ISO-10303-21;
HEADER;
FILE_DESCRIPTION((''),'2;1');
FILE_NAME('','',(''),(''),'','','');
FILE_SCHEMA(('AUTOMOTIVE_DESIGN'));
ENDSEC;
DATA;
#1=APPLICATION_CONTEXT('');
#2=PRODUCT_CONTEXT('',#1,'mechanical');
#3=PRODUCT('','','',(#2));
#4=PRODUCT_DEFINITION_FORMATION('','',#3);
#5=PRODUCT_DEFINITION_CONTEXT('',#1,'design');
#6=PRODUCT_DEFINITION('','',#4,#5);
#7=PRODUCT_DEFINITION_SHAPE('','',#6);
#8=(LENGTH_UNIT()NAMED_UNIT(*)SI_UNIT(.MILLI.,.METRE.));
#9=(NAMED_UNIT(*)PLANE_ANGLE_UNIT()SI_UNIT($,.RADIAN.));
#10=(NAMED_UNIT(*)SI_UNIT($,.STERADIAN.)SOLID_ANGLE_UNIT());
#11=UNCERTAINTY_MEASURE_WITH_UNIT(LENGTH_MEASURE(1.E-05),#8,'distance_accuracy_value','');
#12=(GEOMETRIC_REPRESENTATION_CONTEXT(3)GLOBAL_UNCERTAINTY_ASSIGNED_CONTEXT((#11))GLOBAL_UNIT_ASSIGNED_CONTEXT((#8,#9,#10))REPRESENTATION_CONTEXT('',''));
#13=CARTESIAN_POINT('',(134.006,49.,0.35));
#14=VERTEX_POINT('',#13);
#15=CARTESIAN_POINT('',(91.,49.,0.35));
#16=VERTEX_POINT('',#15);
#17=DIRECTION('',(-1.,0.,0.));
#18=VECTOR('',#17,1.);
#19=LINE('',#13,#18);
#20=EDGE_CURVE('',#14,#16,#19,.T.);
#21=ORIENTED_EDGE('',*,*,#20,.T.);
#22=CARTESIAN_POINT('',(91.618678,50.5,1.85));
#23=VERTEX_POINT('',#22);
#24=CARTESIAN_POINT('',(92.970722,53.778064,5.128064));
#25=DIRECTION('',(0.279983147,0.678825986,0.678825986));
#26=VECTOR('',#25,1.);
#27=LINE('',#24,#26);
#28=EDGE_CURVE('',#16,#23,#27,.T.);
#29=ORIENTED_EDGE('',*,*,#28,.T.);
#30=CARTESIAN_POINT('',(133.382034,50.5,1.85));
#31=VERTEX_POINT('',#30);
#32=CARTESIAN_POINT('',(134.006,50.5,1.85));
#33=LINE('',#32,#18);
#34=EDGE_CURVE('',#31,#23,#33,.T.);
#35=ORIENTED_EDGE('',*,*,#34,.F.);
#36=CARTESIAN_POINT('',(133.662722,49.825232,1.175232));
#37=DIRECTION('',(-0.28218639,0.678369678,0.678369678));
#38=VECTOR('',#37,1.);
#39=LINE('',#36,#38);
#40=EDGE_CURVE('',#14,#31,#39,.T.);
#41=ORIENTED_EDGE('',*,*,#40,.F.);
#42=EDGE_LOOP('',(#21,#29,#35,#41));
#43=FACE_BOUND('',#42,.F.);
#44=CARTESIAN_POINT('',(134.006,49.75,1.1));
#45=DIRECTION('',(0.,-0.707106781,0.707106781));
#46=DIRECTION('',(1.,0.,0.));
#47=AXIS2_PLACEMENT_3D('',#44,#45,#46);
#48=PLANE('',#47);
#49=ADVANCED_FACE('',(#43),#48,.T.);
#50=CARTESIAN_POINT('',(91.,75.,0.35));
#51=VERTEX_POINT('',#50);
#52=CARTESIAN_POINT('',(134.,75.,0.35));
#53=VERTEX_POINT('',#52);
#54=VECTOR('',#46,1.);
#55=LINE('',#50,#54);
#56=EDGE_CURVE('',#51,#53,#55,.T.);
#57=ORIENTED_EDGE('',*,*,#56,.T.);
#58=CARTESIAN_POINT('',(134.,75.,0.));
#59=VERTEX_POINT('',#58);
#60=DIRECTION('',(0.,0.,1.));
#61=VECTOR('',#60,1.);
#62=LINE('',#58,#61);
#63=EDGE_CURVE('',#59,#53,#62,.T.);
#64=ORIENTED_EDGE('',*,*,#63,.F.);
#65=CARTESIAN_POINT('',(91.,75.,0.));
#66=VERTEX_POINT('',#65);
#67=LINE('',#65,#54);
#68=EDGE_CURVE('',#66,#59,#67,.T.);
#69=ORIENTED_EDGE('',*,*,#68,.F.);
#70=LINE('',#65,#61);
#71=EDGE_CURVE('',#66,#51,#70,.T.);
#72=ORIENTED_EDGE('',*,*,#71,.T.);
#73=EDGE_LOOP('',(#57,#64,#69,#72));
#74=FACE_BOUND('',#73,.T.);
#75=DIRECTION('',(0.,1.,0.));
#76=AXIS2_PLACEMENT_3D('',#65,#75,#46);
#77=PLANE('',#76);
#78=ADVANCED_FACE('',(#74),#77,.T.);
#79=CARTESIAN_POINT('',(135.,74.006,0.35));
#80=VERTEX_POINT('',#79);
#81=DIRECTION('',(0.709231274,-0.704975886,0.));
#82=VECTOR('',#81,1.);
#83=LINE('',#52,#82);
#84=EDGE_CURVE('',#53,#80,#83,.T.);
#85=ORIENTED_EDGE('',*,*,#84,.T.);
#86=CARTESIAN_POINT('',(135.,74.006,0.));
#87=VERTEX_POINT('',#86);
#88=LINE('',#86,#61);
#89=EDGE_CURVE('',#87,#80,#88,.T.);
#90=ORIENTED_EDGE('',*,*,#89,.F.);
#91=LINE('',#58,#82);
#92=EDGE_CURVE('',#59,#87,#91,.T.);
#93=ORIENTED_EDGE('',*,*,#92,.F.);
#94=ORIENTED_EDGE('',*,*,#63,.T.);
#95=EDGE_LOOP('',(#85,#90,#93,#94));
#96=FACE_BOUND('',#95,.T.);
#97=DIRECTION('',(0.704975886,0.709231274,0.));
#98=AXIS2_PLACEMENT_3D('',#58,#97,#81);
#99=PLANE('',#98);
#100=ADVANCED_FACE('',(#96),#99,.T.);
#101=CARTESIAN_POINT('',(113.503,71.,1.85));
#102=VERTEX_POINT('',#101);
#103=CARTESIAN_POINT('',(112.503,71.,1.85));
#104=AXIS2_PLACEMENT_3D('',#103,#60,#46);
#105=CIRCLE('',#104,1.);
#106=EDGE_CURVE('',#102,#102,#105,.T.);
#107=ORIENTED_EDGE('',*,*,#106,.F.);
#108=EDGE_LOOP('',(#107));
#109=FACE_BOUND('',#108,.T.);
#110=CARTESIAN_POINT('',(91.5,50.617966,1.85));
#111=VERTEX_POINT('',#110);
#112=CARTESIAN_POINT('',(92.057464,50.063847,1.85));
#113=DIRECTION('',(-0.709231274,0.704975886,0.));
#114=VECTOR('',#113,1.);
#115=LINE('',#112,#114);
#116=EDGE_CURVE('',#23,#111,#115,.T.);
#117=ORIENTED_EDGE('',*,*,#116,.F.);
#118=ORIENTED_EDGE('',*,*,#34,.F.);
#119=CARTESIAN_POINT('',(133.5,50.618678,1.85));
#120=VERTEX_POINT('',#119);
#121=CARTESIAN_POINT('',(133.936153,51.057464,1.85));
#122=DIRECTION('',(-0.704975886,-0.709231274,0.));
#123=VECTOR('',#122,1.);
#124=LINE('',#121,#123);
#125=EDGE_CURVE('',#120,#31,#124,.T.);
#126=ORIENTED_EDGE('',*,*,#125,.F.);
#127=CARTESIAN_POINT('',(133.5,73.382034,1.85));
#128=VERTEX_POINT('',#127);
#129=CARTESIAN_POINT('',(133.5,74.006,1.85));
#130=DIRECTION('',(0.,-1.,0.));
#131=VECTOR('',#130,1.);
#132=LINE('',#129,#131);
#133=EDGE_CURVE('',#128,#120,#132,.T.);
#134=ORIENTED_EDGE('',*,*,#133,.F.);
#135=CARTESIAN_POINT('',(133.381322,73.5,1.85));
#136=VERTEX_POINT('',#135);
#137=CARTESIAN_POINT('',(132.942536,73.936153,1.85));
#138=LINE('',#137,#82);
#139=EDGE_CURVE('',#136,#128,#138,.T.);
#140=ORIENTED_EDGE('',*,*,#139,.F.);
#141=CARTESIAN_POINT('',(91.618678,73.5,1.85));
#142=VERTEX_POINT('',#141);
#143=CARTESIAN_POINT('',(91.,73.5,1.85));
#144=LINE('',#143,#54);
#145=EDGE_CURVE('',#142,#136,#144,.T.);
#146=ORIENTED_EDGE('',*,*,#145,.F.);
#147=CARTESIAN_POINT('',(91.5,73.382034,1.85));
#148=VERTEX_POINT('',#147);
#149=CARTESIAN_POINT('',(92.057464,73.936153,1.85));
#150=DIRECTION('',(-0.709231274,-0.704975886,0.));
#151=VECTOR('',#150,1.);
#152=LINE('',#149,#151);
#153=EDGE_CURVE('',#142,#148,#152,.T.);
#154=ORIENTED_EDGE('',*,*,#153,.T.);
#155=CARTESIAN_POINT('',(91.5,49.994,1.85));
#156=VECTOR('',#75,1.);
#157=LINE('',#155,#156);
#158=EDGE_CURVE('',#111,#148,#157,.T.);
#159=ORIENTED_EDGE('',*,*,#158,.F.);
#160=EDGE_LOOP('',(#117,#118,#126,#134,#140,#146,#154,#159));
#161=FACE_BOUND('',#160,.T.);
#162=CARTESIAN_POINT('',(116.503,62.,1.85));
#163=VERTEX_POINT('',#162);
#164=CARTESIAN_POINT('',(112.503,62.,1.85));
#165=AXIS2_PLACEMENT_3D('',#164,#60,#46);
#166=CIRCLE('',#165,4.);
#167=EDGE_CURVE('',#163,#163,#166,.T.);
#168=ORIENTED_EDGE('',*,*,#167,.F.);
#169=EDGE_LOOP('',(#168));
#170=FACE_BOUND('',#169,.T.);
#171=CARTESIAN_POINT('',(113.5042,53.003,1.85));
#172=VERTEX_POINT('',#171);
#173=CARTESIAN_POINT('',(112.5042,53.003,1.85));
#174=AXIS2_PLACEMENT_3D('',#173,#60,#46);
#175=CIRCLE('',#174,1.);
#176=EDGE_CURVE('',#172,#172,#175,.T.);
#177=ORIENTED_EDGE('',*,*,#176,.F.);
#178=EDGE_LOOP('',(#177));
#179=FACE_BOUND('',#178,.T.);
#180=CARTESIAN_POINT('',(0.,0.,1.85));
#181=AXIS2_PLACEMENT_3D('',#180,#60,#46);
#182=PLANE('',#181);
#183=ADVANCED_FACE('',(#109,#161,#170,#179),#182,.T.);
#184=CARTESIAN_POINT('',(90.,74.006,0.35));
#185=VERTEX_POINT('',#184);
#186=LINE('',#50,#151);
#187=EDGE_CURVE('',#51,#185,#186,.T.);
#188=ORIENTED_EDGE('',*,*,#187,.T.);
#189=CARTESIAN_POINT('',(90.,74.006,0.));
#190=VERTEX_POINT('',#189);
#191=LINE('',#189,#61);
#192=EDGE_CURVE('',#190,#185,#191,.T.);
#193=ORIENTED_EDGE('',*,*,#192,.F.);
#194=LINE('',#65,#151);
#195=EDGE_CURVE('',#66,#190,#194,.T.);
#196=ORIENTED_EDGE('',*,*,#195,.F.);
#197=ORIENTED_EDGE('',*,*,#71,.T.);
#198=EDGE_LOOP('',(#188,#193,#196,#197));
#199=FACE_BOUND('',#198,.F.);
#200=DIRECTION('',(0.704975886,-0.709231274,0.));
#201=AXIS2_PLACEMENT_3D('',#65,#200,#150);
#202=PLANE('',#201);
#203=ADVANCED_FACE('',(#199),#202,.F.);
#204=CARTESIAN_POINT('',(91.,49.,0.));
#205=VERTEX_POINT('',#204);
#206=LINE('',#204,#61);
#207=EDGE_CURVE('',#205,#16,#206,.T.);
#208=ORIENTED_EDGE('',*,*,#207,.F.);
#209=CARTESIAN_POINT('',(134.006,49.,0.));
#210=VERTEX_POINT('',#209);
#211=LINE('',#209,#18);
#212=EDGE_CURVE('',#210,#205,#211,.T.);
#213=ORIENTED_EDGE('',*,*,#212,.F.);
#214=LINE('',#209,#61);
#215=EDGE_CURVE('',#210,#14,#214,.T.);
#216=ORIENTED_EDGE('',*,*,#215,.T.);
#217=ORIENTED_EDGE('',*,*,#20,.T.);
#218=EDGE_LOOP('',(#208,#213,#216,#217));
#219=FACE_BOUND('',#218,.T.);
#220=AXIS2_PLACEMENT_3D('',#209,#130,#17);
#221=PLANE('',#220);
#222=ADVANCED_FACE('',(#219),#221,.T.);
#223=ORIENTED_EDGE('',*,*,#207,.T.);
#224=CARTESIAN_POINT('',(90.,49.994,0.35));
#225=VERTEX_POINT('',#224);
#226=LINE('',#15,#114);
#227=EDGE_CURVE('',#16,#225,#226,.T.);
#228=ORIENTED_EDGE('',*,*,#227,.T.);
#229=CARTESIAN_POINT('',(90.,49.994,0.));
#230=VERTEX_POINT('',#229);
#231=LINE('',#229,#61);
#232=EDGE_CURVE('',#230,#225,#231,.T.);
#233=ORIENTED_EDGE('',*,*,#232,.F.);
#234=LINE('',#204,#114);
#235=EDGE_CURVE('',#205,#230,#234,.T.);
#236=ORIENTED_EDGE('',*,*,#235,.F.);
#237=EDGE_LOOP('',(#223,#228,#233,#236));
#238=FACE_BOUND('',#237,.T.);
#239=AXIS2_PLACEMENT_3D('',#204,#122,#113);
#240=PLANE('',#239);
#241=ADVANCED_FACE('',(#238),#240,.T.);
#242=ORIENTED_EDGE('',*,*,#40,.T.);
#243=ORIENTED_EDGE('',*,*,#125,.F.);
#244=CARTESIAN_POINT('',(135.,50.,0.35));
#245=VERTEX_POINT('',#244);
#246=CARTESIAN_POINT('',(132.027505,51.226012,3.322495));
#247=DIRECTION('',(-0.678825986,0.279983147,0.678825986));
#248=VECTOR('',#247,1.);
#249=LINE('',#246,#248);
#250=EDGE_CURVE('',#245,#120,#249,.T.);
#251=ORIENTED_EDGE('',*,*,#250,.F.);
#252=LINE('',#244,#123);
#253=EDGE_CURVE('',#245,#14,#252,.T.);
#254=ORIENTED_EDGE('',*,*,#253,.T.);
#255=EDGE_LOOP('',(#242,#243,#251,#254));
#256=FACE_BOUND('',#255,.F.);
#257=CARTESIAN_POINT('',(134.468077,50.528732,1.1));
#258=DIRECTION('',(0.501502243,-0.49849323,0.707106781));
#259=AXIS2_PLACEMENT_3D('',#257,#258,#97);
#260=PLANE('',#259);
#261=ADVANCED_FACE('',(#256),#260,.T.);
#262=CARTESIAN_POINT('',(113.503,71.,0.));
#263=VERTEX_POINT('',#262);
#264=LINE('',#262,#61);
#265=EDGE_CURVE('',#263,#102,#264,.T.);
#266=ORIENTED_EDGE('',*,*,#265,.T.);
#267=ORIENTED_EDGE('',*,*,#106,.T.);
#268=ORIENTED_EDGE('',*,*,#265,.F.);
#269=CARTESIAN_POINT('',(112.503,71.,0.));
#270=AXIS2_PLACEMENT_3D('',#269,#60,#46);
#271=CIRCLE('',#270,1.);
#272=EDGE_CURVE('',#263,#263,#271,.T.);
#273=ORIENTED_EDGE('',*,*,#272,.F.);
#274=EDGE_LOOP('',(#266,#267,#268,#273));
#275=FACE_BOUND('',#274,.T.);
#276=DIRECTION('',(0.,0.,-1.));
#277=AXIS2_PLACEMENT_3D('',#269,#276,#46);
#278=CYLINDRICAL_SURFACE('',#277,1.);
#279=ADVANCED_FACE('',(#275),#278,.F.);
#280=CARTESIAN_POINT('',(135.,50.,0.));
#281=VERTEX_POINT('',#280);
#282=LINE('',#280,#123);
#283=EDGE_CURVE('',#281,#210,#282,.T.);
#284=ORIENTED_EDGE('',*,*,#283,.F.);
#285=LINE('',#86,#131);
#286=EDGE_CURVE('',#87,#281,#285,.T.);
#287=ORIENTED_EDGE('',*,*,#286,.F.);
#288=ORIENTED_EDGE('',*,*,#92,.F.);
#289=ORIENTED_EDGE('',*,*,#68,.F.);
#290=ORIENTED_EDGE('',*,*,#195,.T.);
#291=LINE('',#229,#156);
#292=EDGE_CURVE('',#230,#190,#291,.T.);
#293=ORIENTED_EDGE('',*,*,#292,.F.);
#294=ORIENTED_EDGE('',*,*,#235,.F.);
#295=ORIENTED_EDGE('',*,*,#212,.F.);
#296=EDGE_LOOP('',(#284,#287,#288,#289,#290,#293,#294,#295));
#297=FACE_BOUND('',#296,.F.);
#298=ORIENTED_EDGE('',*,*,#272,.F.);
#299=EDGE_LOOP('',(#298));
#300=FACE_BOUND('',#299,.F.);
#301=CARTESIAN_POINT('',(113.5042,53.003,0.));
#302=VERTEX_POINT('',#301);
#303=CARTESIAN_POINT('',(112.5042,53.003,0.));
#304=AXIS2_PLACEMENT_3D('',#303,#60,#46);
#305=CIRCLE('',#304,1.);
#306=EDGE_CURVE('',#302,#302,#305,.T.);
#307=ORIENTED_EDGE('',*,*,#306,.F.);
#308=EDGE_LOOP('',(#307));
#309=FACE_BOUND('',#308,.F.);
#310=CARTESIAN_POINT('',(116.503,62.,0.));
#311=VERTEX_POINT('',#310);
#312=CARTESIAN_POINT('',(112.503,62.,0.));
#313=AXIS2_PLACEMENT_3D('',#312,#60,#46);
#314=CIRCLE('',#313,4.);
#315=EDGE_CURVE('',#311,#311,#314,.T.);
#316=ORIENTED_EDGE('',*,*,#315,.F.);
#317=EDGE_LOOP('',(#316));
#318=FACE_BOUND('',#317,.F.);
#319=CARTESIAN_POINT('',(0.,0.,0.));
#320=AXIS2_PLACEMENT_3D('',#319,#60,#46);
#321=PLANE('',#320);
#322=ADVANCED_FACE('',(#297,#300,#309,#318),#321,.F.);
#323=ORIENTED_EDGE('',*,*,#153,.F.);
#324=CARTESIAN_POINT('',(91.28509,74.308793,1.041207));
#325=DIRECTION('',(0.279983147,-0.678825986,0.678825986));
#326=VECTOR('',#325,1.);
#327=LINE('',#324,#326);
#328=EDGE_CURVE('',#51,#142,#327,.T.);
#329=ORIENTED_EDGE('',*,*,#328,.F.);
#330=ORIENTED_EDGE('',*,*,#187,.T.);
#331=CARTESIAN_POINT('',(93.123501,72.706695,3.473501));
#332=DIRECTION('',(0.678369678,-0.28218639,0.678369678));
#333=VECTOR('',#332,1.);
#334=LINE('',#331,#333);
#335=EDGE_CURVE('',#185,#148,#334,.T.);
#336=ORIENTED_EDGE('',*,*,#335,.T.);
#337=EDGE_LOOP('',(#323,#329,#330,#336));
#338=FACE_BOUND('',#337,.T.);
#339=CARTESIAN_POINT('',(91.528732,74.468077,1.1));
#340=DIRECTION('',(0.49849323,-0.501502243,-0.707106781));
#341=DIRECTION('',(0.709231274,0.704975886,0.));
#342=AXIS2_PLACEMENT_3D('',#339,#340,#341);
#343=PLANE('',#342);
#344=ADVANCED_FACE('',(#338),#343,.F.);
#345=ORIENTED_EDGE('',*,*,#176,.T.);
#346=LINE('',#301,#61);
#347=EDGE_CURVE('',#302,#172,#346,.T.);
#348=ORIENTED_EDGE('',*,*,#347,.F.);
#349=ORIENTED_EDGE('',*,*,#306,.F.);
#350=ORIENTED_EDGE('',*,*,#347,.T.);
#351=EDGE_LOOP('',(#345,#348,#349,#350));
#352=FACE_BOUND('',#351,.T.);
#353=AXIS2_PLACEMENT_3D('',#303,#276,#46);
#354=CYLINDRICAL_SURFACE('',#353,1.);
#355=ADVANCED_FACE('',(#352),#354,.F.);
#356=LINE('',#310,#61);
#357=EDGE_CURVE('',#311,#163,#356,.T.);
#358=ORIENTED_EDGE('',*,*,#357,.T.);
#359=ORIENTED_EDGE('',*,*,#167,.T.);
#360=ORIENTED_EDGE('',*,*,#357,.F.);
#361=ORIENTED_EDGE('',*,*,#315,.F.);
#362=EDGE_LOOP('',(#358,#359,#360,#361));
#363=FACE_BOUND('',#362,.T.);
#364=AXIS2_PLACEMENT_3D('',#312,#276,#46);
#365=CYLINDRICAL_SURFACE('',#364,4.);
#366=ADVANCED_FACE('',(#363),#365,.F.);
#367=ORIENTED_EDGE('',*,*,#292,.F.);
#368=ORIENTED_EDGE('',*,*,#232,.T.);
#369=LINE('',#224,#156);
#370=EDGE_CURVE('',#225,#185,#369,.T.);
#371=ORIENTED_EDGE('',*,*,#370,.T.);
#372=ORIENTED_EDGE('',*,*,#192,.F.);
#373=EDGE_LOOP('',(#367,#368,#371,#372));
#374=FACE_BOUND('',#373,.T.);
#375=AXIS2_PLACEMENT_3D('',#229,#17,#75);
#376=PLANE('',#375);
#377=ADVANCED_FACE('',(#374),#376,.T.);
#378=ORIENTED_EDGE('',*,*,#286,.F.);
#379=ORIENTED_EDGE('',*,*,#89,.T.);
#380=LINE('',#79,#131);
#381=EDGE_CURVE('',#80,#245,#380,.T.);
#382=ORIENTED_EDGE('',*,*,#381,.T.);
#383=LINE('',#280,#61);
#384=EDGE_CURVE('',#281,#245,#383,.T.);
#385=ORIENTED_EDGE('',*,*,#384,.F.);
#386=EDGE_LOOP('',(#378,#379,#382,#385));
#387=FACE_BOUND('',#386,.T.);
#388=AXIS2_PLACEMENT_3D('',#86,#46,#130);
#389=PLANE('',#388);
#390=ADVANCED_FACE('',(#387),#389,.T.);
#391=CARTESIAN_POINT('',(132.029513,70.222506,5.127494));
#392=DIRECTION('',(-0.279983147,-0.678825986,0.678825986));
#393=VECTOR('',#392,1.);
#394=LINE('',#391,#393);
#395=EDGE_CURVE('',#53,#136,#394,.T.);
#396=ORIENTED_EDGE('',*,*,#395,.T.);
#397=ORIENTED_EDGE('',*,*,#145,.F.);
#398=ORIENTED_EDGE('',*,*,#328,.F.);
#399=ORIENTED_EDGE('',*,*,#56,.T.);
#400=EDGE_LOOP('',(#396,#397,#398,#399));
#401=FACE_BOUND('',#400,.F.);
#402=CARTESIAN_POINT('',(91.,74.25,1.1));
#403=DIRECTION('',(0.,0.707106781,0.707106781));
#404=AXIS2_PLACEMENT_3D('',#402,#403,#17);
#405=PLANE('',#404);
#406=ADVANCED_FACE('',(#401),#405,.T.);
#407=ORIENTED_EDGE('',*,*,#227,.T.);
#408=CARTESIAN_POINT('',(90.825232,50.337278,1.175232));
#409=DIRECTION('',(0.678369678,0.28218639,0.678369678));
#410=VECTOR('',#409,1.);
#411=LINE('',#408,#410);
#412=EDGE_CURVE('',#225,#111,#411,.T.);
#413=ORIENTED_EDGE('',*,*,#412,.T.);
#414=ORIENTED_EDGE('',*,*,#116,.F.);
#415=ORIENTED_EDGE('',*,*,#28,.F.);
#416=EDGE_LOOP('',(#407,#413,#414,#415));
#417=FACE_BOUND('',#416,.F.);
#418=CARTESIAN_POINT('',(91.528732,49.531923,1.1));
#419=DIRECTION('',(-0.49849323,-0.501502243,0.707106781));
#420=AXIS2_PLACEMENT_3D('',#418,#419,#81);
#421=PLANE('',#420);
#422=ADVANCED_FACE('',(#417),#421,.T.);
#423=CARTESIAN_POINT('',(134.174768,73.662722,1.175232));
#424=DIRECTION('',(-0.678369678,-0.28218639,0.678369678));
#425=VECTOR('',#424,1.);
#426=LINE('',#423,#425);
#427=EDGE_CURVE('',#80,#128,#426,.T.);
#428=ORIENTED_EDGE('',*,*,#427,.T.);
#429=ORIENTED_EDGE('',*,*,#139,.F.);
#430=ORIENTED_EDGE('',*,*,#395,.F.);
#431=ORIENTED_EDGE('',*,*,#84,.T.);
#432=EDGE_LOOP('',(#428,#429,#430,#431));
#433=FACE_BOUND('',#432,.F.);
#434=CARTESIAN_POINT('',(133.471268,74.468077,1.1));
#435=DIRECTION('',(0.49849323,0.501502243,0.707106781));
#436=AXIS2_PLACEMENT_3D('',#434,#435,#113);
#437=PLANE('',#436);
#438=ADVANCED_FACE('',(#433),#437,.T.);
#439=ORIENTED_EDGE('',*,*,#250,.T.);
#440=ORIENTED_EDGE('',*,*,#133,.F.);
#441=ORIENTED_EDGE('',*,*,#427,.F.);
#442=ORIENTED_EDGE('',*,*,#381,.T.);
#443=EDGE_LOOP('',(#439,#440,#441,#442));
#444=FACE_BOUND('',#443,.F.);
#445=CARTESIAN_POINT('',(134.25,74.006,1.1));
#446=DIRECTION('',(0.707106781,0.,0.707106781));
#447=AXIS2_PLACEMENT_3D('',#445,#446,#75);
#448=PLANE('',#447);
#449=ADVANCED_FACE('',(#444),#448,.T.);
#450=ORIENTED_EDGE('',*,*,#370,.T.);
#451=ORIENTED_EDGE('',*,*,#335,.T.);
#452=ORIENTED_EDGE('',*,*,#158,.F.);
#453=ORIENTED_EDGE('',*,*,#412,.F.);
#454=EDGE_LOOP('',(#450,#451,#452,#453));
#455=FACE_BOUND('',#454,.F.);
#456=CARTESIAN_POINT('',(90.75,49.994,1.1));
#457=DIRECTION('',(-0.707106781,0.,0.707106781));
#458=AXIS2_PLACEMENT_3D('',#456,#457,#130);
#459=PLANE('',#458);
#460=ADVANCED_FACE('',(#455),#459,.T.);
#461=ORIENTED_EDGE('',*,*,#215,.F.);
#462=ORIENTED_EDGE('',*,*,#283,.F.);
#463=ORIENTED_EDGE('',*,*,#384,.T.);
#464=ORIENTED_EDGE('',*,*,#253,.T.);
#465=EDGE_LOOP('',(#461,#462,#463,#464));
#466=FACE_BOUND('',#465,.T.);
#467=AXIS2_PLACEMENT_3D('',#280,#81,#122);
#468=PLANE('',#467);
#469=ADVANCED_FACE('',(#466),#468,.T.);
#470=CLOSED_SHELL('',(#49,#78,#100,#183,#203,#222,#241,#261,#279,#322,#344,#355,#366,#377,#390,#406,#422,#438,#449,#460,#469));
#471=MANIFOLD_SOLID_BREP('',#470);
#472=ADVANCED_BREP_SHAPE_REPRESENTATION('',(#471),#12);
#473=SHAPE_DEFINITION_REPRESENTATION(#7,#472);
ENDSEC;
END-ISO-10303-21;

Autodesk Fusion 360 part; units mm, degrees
sketch "Esboço1" plane through (0, 0, 0) normal (0, 0, 1) x (1, 0, 0)
  line L0 (91, 75) -> (134, 75)
  line L1 (135, 74.006) -> (135, 50)
  line L2 (134.006, 49) -> (91, 49)
  line L3 (90, 49.994) -> (90, 74.006)
  line L4 (134, 75) -> (135, 74.006)
  line L5 (134, 75) -> (134, 49) construction
  line L6 (135, 74.006) -> (90, 74.006) construction
  line L7 (135, 50) -> (90, 50) construction
  line L8 (91, 49) -> (91, 75) construction
  line L9 (135, 50) -> (134.006, 49)
  line L10 (91, 49) -> (90, 49.994)
  line L11 (91, 75) -> (90, 74.006)
  circle A0 centre (112.503, 62) radius 4
  line L12 (90, 62) -> (135, 62.003) construction
  circle A1 centre (112.503, 71) radius 1
  circle A2 centre (112.5042, 53.003) radius 1
  point P0 (90, 75)
  point P1 (135, 75)
  point P2 (135, 49)
  point P3 (90, 49)
  dimension "d20" = 26
  dimension "d21" = 45
  dimension "d22" = 1
  dimension "d24" = 1.41
  dimension "d25" = 1
  dimension "d28" = 1.41
  dimension "d29" = 1
  dimension "d31" = 1.41
  dimension "d32" = 1
  dimension "d34" = 1.41
  dimension "d35" = 8
  dimension "d36" = 2
  dimension "d37" = 9
extrude "Extrusão2" add sketch "Esboço1" along normal blind 1.85
chamfer "Chanfro2" distance 1.5 angle 45 8 edges at (112.503, 49, 1.85) (90.5, 49.497, 1.85) (134.503, 49.5, 1.85) (135, 62.003, 1.85) (134.5, 74.503, 1.85) (112.5, 75, 1.85) (90.5, 74.503, 1.85) (90, 62, 1.85)
